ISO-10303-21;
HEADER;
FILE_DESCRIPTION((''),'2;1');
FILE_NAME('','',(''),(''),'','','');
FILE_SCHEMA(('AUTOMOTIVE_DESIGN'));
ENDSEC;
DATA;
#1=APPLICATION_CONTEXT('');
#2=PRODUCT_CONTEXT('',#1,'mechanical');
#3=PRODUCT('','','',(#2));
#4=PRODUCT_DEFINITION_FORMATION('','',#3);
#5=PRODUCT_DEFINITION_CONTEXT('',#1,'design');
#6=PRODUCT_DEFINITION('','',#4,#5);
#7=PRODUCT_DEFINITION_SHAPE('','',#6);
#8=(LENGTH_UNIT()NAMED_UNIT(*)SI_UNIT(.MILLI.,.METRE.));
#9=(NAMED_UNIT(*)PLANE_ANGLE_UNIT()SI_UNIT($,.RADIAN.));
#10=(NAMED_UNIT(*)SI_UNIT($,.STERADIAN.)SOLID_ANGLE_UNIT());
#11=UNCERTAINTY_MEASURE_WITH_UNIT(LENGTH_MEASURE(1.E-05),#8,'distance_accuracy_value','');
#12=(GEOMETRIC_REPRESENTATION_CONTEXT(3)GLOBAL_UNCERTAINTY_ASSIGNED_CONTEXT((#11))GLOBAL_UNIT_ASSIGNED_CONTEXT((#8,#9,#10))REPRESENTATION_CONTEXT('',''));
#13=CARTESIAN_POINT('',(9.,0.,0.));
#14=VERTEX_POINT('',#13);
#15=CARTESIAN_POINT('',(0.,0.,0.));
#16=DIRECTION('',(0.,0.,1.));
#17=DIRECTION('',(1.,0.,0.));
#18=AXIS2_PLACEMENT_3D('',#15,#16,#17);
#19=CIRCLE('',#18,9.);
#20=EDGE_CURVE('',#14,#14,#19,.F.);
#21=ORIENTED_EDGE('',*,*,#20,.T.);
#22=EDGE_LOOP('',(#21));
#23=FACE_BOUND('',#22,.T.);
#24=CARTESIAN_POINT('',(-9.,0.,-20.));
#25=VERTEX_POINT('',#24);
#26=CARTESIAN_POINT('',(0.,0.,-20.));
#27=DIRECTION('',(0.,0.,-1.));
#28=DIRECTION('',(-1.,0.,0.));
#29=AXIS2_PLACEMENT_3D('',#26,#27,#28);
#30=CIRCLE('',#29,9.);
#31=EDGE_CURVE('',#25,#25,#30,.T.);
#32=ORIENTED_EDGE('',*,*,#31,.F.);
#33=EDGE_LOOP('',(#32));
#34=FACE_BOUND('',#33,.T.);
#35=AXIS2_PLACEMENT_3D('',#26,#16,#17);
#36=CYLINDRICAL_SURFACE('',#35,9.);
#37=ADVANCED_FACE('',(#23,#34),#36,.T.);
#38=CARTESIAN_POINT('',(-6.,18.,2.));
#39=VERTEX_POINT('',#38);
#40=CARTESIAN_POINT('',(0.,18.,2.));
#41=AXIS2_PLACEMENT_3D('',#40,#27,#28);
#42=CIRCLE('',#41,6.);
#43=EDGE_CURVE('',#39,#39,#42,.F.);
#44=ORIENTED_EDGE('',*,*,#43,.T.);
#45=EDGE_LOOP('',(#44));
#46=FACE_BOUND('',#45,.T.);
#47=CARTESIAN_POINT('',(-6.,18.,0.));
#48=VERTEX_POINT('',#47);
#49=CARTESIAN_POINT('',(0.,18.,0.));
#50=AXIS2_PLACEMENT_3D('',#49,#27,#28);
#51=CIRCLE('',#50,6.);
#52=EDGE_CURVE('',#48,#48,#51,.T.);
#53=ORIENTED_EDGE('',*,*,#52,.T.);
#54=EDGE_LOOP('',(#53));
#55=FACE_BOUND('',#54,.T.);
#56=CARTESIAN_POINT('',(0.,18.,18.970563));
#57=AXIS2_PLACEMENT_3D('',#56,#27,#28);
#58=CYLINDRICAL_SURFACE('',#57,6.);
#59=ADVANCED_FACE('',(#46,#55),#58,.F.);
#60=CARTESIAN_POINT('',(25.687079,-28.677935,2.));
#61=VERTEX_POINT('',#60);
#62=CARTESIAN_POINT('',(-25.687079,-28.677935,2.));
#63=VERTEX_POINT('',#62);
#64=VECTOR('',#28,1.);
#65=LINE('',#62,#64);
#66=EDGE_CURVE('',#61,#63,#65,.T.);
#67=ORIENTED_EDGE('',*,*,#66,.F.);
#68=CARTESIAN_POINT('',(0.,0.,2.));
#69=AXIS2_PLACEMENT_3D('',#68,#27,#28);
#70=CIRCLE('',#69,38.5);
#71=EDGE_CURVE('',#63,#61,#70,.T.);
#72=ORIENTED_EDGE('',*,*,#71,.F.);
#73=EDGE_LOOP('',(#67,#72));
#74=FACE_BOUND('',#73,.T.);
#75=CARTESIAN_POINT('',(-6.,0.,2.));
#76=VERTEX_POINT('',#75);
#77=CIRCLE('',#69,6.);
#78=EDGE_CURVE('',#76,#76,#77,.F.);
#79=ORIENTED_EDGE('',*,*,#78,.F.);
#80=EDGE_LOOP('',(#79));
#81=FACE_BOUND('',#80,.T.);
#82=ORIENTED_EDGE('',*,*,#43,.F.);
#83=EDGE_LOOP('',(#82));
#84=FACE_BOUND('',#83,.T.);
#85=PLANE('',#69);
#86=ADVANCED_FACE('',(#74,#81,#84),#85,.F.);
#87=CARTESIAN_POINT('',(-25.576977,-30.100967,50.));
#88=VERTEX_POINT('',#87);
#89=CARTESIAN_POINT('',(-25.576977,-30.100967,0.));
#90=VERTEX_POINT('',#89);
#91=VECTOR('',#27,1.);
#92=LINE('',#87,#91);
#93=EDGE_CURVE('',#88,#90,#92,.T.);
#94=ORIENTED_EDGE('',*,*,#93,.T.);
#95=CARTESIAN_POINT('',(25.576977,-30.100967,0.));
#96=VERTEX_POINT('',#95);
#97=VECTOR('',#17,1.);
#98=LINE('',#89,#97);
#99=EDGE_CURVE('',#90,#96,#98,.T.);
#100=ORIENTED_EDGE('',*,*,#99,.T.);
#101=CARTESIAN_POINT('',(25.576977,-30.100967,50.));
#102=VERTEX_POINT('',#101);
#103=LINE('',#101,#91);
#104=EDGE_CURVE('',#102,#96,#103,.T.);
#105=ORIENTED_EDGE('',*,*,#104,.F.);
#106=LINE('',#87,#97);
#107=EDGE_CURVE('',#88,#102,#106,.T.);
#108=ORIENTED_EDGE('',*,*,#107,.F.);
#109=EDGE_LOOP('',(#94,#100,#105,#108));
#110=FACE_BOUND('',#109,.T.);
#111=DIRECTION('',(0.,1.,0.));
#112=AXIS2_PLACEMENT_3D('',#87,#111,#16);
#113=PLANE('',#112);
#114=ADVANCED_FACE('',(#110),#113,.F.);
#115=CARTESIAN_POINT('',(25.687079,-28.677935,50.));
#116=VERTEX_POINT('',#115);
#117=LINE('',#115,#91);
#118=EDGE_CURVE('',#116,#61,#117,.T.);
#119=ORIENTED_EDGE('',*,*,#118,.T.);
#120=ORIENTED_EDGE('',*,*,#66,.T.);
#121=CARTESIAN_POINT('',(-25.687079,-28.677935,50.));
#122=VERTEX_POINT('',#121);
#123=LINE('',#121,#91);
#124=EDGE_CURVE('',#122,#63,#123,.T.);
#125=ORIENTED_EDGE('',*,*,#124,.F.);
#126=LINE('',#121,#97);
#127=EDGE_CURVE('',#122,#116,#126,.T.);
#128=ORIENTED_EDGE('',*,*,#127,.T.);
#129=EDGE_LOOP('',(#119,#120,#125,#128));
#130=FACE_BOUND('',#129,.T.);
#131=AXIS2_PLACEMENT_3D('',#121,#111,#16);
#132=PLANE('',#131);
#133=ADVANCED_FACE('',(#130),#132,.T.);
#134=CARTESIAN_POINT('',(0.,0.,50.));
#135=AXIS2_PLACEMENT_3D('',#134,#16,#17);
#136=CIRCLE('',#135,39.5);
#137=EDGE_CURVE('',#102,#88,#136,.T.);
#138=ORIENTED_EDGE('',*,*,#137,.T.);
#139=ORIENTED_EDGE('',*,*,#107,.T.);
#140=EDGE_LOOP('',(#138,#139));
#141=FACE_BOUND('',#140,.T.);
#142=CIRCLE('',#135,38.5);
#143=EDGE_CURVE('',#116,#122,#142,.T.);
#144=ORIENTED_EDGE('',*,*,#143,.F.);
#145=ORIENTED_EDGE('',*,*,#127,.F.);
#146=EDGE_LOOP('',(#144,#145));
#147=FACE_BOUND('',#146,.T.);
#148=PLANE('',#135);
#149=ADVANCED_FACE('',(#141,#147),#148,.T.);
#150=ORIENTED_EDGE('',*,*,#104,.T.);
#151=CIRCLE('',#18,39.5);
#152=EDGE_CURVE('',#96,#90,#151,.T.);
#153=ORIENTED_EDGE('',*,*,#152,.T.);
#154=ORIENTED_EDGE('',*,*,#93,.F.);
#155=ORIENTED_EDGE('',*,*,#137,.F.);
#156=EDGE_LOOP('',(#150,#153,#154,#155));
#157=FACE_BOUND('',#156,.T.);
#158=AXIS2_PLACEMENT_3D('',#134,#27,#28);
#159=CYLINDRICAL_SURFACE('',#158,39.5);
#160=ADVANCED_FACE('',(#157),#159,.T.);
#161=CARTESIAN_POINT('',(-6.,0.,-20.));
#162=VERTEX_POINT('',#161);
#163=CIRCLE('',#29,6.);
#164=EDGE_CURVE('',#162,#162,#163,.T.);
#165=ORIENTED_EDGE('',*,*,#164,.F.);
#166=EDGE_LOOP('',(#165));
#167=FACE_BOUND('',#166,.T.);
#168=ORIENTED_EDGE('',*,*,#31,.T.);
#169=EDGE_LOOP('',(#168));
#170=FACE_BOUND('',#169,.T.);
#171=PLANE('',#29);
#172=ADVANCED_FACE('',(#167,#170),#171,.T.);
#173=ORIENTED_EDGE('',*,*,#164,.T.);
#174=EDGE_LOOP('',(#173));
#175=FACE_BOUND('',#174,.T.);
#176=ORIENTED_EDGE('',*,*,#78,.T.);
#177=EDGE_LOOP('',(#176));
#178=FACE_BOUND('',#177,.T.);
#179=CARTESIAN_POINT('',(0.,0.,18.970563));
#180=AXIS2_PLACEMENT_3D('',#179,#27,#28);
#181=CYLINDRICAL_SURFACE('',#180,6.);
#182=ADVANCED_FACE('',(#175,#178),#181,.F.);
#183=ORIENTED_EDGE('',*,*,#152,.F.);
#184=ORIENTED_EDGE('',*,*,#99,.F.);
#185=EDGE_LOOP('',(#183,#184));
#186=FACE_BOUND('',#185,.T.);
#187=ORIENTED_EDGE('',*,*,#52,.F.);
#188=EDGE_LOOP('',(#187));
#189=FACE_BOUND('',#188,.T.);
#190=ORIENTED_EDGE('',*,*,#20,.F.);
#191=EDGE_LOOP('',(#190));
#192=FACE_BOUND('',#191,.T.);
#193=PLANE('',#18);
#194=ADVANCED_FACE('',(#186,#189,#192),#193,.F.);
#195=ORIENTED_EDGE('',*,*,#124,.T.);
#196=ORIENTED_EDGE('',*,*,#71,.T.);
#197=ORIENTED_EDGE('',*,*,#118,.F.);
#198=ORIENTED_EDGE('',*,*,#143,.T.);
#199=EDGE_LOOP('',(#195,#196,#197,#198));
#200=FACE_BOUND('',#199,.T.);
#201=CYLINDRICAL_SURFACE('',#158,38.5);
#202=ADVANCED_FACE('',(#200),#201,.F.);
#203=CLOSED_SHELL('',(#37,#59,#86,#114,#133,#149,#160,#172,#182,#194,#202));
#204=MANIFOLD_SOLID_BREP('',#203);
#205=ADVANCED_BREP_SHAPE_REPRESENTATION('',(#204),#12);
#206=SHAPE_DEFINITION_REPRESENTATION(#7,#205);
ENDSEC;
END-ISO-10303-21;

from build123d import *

# Parameters (mm, degrees)
BOSS_EXTRUDE1_DEPTH = 50
BOSS_EXTRUDE2_DEPTH = 2
SKETCH3_R           = 6
CUT_EXTRUDE1_DEPTH  = 2
SKETCH4_R           = 6
CUT_EXTRUDE2_DEPTH  = 2
BOSS_EXTRUDE3_START = 20
SKETCH5_R           = 9
SKETCH5_R_2         = 6
BOSS_EXTRUDE3_DEPTH = 20


with BuildPart() as part:
    # Sketch1 → Boss-Extrude1 (new body)
    with BuildSketch(Plane.XY):
        with BuildLine():
            Line((-25.576977383, -30.100967226), (25.576977383, -30.100967226))
            ThreePointArc((25.576977383, -30.100967226), (0, 39.5), (-25.576977383, -30.100967226))
        make_face()
        with BuildLine():
            Line((-25.687078778, -28.677935488), (25.687078778, -28.677935488))
            ThreePointArc((25.687078778, -28.677935488), (0, 38.5), (-25.687078778, -28.677935488))
        make_face(mode=Mode.SUBTRACT)
    extrude(amount=BOSS_EXTRUDE1_DEPTH)

    # Sketch2 → Boss-Extrude2 (add)
    with BuildSketch(Plane(origin=(0, 0, 0), x_dir=(-1, 0, 0), z_dir=(0, 0, -1))):
        with BuildLine():
            Line((25.687078778, -28.677935488), (-25.687078778, -28.677935488))
            ThreePointArc((-25.687078778, -28.677935488), (0, 38.5), (25.687078778, -28.677935488))
        make_face()
    extrude(amount=-BOSS_EXTRUDE2_DEPTH)

    # Sketch3 → Cut-Extrude1 (cut)
    with BuildSketch(Plane(origin=(0, 0, 0), x_dir=(-1, 0, 0), z_dir=(0, 0, -1))):
        Circle(SKETCH3_R)
    extrude(amount=-CUT_EXTRUDE1_DEPTH, mode=Mode.SUBTRACT)

    # Sketch4 → Cut-Extrude2 (cut)
    with BuildSketch(Plane(origin=(0, 0, 0), x_dir=(-1, 0, 0), z_dir=(0, 0, -1))):
        with Locations((0, 18)):
            Circle(SKETCH4_R)
    extrude(amount=-CUT_EXTRUDE2_DEPTH, mode=Mode.SUBTRACT)

    # Sketch5 → Boss-Extrude3 (add)
    with BuildSketch(Plane(origin=(0, 0, 0), x_dir=(-1, 0, 0), z_dir=(0, 0, -1)).offset(BOSS_EXTRUDE3_START)):
        with Locations(Location((0, 0, 0), (0, 0, 180))):
            Circle(SKETCH5_R)
        Circle(SKETCH5_R_2, mode=Mode.SUBTRACT)
    extrude(amount=-BOSS_EXTRUDE3_DEPTH)


solid = part.part
